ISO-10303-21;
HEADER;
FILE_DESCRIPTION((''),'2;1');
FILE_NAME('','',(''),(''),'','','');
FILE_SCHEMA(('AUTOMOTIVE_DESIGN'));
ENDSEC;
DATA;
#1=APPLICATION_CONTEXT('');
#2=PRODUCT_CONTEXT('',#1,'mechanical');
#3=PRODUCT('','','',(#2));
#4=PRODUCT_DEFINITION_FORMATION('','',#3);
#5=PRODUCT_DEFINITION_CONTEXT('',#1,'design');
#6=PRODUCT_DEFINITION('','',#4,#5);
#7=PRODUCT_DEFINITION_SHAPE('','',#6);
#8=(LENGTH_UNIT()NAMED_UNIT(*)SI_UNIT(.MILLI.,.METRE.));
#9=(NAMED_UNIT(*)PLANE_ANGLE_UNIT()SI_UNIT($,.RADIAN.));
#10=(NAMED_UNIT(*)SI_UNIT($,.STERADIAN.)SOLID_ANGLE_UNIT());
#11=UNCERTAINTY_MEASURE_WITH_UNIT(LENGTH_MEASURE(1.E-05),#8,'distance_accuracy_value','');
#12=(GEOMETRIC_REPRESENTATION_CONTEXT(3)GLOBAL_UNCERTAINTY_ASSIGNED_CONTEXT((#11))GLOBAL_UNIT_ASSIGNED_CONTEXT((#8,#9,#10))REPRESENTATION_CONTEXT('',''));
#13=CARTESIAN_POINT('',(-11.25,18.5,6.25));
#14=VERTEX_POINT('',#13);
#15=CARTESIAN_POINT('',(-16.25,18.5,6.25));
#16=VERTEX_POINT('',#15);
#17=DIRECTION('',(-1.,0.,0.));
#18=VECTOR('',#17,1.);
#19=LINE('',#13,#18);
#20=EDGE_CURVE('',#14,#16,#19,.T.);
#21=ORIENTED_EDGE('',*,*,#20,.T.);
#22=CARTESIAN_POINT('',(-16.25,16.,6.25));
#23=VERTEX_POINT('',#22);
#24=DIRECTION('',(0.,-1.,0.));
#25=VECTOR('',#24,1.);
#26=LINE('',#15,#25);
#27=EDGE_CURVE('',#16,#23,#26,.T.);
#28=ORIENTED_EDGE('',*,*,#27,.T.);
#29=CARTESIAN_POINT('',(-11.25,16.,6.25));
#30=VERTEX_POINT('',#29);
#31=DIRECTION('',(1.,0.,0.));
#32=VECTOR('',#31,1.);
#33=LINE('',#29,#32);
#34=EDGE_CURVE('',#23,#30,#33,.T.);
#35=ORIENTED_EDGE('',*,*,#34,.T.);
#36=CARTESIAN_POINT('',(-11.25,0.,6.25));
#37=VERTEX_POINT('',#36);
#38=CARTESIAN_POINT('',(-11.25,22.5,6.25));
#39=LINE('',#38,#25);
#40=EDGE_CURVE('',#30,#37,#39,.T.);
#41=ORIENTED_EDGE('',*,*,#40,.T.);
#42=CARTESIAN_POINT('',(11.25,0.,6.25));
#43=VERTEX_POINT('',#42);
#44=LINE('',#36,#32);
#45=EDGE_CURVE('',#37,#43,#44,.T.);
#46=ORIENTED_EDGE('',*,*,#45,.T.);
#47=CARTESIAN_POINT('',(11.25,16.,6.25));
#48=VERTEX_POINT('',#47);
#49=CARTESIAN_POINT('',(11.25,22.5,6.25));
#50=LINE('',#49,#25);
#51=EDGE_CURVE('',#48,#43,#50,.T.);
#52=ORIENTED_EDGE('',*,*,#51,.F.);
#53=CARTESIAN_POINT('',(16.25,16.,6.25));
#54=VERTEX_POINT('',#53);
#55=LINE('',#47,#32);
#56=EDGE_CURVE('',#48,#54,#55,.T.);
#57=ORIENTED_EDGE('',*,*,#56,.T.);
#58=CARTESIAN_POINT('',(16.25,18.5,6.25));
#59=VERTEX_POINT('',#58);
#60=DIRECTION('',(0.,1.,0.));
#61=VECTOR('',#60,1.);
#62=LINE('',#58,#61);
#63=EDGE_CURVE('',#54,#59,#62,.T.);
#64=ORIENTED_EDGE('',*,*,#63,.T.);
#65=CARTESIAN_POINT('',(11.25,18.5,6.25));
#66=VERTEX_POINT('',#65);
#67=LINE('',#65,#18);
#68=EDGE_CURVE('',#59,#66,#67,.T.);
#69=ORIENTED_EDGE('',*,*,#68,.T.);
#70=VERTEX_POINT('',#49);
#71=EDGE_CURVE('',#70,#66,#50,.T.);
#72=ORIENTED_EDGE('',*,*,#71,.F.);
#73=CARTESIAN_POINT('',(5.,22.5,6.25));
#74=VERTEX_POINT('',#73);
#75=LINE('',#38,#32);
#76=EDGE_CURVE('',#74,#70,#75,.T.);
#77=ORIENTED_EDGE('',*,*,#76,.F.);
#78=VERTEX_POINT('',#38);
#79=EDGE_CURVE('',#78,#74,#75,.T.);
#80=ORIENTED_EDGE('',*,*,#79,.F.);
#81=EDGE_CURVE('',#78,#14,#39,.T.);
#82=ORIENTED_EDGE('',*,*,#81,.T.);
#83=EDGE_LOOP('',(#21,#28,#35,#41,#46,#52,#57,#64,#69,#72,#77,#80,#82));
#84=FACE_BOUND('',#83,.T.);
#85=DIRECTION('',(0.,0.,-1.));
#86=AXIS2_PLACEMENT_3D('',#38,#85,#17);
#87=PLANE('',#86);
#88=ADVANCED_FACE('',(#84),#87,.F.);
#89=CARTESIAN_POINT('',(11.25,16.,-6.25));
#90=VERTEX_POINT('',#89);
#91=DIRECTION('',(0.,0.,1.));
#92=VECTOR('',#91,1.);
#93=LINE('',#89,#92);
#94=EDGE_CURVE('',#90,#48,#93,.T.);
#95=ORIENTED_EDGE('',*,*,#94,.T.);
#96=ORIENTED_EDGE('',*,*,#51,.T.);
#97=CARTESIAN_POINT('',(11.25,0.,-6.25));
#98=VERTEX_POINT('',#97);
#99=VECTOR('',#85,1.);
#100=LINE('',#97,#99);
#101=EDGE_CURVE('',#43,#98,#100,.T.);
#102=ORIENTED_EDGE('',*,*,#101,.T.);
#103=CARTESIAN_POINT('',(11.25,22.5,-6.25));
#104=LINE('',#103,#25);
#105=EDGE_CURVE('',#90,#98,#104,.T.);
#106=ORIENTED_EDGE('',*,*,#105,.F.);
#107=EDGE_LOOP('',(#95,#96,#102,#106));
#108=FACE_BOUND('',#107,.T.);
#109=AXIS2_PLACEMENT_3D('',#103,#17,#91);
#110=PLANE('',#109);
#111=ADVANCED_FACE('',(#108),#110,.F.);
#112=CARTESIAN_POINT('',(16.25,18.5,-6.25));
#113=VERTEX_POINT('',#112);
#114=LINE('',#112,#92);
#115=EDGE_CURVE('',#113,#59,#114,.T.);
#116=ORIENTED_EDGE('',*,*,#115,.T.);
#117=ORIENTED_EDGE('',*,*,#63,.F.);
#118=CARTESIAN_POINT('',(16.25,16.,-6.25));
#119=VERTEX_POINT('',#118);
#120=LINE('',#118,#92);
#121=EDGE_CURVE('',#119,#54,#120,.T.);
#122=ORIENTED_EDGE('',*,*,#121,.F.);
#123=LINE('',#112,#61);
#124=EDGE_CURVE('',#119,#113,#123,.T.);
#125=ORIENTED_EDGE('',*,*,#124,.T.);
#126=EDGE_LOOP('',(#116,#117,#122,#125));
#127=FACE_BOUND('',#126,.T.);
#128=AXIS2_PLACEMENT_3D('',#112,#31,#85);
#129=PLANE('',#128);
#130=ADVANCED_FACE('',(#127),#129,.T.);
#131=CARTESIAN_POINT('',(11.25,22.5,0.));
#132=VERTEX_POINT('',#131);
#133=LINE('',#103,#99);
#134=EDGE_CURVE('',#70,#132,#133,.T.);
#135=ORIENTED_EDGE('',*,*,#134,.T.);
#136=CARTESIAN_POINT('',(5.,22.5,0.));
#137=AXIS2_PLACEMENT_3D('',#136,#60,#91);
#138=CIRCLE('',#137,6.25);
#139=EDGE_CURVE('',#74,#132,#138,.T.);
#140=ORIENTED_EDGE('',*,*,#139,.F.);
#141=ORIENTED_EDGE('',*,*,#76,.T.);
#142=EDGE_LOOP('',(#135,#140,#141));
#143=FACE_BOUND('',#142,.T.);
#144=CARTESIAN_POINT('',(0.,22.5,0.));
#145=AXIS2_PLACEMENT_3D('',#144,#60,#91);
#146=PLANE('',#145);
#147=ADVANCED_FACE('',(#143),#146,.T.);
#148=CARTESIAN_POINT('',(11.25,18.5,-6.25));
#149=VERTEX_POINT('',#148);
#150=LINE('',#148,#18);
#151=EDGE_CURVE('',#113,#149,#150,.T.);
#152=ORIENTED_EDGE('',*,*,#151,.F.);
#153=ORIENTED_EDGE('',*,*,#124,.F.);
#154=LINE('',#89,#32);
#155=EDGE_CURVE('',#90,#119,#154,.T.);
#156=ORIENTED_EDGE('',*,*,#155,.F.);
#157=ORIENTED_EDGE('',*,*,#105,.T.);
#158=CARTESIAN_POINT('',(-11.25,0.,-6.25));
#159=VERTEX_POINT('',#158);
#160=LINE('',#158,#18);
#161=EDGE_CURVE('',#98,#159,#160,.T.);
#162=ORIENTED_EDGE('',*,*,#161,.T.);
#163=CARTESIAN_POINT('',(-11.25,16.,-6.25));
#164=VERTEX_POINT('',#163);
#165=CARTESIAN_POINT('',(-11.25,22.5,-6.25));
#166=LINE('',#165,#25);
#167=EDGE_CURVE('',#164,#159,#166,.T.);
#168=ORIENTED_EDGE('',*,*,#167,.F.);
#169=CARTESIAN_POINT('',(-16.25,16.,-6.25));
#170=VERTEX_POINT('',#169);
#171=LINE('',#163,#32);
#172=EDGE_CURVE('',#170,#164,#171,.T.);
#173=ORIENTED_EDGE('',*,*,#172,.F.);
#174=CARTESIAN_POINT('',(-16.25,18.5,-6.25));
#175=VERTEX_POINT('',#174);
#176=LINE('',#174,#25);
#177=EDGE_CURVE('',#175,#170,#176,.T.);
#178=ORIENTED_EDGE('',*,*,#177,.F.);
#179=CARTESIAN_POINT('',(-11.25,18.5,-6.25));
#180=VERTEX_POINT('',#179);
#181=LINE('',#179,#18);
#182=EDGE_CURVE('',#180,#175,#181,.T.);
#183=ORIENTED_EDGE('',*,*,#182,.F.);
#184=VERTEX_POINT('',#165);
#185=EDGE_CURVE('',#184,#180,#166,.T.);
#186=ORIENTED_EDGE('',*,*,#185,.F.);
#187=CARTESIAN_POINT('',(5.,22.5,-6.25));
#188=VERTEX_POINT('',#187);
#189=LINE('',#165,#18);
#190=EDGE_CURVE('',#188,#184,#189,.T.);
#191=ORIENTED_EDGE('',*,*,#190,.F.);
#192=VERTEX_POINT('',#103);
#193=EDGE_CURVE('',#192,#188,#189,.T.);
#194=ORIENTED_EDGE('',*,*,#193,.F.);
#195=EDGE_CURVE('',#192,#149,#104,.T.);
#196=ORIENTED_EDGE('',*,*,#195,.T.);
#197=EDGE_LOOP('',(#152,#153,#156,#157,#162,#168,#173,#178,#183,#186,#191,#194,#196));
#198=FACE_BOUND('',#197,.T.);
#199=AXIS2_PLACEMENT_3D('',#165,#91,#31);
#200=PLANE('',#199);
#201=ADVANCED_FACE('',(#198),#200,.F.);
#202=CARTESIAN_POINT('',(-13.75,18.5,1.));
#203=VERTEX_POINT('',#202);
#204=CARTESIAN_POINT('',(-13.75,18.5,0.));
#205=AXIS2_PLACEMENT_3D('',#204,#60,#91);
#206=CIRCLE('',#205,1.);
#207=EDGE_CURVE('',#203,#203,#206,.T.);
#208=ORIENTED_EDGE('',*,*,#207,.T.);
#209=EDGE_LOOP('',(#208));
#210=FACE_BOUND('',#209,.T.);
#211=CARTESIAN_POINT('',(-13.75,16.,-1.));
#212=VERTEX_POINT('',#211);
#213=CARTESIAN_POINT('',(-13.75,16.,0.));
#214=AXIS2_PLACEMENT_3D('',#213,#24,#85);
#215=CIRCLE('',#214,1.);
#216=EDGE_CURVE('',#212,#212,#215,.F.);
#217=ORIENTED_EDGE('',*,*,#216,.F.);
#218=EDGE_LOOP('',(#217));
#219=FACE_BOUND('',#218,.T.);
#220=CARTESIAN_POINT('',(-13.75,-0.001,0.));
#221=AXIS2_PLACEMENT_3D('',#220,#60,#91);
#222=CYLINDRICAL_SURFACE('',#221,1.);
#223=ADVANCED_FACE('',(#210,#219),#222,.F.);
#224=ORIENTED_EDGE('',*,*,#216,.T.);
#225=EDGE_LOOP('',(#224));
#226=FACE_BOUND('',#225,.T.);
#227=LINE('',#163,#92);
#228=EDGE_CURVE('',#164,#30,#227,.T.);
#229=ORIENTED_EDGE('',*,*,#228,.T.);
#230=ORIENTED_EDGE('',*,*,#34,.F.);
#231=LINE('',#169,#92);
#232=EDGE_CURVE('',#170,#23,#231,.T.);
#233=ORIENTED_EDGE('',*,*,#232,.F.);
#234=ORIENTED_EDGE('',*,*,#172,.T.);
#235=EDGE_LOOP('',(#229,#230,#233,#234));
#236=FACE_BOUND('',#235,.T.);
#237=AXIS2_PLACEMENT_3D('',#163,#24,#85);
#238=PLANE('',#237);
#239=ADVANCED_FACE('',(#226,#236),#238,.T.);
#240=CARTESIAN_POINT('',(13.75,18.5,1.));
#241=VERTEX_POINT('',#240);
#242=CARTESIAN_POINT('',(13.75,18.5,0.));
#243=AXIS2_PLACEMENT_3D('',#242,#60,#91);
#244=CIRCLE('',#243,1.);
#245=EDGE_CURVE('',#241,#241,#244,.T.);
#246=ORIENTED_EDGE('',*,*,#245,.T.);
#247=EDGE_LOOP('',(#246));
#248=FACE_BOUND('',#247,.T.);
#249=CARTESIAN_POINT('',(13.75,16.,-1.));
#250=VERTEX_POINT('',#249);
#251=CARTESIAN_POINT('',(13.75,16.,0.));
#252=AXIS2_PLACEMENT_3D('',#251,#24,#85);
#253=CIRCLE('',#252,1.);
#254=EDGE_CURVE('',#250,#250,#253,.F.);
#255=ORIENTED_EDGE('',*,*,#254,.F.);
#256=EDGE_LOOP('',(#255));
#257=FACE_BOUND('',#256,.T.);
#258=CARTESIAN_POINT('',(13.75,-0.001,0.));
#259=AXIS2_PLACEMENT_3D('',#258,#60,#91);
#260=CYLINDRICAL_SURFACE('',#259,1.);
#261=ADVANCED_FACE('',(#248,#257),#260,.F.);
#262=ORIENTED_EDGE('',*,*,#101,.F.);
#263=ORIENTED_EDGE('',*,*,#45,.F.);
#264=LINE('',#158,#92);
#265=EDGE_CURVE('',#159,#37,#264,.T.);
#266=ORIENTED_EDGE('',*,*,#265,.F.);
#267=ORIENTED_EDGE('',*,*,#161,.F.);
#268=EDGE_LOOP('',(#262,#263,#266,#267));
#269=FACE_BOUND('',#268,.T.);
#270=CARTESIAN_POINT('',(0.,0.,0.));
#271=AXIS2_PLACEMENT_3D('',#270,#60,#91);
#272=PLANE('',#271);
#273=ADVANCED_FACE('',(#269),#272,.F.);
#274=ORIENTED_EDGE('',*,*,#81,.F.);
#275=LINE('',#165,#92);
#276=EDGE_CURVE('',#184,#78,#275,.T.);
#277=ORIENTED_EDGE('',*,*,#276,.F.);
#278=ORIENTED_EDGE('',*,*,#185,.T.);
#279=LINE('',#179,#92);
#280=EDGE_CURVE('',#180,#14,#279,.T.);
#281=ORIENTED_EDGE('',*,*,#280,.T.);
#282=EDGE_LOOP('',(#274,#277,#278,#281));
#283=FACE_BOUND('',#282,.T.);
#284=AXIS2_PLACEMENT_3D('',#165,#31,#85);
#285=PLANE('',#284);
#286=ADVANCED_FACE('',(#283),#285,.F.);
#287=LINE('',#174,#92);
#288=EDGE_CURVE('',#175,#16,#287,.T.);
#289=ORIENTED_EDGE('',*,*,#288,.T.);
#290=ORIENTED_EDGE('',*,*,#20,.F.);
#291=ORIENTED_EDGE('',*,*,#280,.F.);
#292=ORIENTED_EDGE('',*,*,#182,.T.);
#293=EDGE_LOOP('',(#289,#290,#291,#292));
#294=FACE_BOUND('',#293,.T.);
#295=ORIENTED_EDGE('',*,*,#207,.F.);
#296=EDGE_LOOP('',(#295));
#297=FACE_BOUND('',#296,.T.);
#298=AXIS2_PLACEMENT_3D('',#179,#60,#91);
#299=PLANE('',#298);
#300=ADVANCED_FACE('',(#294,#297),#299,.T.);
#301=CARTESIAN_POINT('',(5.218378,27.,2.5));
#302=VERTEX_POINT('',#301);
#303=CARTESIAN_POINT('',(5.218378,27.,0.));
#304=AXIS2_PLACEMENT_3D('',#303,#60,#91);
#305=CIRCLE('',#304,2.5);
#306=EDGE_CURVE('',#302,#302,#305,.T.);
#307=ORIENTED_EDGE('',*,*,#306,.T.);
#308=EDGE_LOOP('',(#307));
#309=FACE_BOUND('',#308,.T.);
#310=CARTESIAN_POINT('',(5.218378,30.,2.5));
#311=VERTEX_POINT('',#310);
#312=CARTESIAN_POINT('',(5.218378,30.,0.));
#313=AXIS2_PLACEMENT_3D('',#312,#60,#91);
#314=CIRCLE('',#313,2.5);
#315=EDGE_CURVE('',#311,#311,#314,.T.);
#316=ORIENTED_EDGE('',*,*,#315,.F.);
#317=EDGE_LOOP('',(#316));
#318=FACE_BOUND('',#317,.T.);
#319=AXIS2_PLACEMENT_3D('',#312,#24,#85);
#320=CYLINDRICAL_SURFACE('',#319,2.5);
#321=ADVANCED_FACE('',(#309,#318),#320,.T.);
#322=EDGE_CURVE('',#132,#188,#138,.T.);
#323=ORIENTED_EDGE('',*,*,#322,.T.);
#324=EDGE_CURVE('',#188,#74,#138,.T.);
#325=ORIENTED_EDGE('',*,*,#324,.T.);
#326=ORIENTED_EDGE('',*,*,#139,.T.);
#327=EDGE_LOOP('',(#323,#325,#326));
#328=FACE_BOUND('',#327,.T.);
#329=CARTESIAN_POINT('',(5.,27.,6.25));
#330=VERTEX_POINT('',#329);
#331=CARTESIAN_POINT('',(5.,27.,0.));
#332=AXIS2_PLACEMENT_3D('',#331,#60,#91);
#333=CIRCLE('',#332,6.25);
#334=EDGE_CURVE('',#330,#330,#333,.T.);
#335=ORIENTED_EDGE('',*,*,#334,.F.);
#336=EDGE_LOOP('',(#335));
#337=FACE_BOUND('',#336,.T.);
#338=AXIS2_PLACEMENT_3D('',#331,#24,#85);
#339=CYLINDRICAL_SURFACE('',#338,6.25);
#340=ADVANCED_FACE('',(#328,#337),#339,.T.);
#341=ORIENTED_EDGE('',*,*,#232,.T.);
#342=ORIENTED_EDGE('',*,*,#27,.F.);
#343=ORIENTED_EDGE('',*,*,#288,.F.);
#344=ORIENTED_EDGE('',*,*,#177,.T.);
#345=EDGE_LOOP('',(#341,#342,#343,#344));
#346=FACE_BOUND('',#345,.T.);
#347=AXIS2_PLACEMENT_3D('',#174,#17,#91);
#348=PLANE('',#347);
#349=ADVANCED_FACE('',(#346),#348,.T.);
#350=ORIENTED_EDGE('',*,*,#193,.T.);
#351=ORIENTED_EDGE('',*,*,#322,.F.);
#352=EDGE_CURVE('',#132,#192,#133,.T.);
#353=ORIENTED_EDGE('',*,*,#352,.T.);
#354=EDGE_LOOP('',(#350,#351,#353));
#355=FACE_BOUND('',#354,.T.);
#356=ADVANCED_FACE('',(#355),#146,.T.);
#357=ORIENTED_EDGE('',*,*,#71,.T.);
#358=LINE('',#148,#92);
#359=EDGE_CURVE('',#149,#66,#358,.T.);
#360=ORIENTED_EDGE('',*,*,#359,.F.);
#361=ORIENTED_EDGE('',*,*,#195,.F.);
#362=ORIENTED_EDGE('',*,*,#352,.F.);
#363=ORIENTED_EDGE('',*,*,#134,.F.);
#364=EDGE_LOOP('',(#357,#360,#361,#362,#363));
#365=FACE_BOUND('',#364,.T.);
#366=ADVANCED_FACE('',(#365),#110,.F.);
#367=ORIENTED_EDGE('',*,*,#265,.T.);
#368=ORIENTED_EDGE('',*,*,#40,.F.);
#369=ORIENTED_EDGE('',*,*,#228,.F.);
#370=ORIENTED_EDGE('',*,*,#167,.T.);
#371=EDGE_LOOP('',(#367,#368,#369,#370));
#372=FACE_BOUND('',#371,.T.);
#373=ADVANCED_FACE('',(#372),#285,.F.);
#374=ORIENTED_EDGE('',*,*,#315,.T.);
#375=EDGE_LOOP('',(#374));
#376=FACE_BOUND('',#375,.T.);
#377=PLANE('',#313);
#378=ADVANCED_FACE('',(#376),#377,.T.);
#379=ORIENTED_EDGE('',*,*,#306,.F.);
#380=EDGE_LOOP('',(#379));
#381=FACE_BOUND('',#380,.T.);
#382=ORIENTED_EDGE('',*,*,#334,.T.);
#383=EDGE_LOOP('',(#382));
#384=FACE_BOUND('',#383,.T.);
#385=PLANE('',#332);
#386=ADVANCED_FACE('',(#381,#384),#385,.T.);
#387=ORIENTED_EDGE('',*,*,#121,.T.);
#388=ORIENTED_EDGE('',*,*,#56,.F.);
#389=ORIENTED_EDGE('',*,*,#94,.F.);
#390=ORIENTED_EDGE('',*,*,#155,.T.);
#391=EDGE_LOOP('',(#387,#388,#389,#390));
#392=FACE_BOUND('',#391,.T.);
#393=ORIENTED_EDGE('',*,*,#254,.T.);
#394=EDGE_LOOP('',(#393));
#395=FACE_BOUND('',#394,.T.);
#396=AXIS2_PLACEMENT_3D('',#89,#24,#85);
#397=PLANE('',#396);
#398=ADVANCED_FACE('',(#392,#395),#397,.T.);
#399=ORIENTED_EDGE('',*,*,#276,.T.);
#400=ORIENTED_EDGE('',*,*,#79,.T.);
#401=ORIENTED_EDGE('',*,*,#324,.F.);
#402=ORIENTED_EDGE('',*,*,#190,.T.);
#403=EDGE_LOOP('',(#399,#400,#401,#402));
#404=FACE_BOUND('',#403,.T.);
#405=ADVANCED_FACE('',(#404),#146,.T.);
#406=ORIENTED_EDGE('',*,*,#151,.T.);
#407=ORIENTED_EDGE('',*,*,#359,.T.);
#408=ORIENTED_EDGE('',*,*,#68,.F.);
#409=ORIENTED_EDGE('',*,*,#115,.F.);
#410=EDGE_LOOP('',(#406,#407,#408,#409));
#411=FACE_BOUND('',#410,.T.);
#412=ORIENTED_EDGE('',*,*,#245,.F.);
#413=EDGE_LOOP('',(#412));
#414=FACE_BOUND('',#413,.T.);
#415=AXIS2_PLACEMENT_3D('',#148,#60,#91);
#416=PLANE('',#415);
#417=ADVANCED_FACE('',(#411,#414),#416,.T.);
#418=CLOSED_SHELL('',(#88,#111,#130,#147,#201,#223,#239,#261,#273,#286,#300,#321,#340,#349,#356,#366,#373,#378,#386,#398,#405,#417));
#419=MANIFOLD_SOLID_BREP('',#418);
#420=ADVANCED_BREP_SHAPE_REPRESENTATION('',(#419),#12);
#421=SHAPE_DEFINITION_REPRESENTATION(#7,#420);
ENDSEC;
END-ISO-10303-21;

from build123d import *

# Parameters (mm, degrees)
CROQUIS1_W              = 22.5
CROQUIS1_H              = 12.5
SALIENTE_EXTRUIR1_DEPTH = 22.5
CROQUIS2_W              = 5
CROQUIS2_H              = 2.5
SALIENTE_EXTRUIR2_DEPTH = 12.5
CORTAR_EXTRUIR1_REACH   = 27.404
CROQUIS3_R              = 1
CROQUIS4_R              = 6.25
SALIENTE_EXTRUIR3_DEPTH = 4.5
CROQUIS5_R              = 2.5
SALIENTE_EXTRUIR4_DEPTH = 3


with BuildPart() as part:
    # Croquis1 → Saliente-Extruir1 (new body)
    with BuildSketch(Plane(origin=(0, 0, 0), x_dir=(1, 0, 0), z_dir=(0, 1, 0))):
        Rectangle(CROQUIS1_W, CROQUIS1_H)
    extrude(amount=SALIENTE_EXTRUIR1_DEPTH)

    # Croquis2 → Saliente-Extruir2 (add)
    with BuildSketch(Plane.XY.offset(6.25)):
        with Locations((13.75, 17.25)):
            Rectangle(CROQUIS2_W, CROQUIS2_H)
        with Locations((-13.75, 17.25)):
            Rectangle(CROQUIS2_W, CROQUIS2_H)
    extrude(amount=-SALIENTE_EXTRUIR2_DEPTH)

    # Croquis3 → Cortar-Extruir1 (cut, up to next)
    with BuildSketch(Plane(origin=(0, 18.5, 0), x_dir=(1, 0, 0), z_dir=(0, 1, 0)), mode=Mode.PRIVATE) as cortar_extruir1_sk1:
        with Locations(Location((13.75, 0, 0), (0, 0, 270))):
            Circle(CROQUIS3_R)
    cortar_extruir1_tool1 = extrude(cortar_extruir1_sk1.sketch, amount=-CORTAR_EXTRUIR1_REACH, mode=Mode.PRIVATE) & part.part
    # Croquis3 → Cortar-Extruir1 (cut, up to next)
    with BuildSketch(Plane(origin=(0, 18.5, 0), x_dir=(1, 0, 0), z_dir=(0, 1, 0)), mode=Mode.PRIVATE) as cortar_extruir1_sk2:
        with Locations(Location((-13.75, 0, 0), (0, 0, 270))):
            Circle(CROQUIS3_R)
    cortar_extruir1_tool2 = extrude(cortar_extruir1_sk2.sketch, amount=-CORTAR_EXTRUIR1_REACH, mode=Mode.PRIVATE) & part.part
    add(cortar_extruir1_tool1.solids().sort_by_distance((13.75, 18.5, 0))[0], mode=Mode.SUBTRACT)
    add(cortar_extruir1_tool2.solids().sort_by_distance((-13.75, 18.5, 0))[0], mode=Mode.SUBTRACT)

    # Croquis4 → Saliente-Extruir3 (add)
    with BuildSketch(Plane(origin=(0, 22.5, 0), x_dir=(1, 0, 0), z_dir=(0, 1, 0))):
        with Locations(Location((5, 0, 0), (0, 0, 270))):
            Circle(CROQUIS4_R)
    extrude(amount=SALIENTE_EXTRUIR3_DEPTH)

    # Croquis5 → Saliente-Extruir4 (add)
    with BuildSketch(Plane(origin=(0, 27, 0), x_dir=(1, 0, 0), z_dir=(0, 1, 0))):
        with Locations(Location((5.218378147, 0, 0), (0, 0, 270))):
            Circle(CROQUIS5_R)
    extrude(amount=SALIENTE_EXTRUIR4_DEPTH)


solid = part.part
